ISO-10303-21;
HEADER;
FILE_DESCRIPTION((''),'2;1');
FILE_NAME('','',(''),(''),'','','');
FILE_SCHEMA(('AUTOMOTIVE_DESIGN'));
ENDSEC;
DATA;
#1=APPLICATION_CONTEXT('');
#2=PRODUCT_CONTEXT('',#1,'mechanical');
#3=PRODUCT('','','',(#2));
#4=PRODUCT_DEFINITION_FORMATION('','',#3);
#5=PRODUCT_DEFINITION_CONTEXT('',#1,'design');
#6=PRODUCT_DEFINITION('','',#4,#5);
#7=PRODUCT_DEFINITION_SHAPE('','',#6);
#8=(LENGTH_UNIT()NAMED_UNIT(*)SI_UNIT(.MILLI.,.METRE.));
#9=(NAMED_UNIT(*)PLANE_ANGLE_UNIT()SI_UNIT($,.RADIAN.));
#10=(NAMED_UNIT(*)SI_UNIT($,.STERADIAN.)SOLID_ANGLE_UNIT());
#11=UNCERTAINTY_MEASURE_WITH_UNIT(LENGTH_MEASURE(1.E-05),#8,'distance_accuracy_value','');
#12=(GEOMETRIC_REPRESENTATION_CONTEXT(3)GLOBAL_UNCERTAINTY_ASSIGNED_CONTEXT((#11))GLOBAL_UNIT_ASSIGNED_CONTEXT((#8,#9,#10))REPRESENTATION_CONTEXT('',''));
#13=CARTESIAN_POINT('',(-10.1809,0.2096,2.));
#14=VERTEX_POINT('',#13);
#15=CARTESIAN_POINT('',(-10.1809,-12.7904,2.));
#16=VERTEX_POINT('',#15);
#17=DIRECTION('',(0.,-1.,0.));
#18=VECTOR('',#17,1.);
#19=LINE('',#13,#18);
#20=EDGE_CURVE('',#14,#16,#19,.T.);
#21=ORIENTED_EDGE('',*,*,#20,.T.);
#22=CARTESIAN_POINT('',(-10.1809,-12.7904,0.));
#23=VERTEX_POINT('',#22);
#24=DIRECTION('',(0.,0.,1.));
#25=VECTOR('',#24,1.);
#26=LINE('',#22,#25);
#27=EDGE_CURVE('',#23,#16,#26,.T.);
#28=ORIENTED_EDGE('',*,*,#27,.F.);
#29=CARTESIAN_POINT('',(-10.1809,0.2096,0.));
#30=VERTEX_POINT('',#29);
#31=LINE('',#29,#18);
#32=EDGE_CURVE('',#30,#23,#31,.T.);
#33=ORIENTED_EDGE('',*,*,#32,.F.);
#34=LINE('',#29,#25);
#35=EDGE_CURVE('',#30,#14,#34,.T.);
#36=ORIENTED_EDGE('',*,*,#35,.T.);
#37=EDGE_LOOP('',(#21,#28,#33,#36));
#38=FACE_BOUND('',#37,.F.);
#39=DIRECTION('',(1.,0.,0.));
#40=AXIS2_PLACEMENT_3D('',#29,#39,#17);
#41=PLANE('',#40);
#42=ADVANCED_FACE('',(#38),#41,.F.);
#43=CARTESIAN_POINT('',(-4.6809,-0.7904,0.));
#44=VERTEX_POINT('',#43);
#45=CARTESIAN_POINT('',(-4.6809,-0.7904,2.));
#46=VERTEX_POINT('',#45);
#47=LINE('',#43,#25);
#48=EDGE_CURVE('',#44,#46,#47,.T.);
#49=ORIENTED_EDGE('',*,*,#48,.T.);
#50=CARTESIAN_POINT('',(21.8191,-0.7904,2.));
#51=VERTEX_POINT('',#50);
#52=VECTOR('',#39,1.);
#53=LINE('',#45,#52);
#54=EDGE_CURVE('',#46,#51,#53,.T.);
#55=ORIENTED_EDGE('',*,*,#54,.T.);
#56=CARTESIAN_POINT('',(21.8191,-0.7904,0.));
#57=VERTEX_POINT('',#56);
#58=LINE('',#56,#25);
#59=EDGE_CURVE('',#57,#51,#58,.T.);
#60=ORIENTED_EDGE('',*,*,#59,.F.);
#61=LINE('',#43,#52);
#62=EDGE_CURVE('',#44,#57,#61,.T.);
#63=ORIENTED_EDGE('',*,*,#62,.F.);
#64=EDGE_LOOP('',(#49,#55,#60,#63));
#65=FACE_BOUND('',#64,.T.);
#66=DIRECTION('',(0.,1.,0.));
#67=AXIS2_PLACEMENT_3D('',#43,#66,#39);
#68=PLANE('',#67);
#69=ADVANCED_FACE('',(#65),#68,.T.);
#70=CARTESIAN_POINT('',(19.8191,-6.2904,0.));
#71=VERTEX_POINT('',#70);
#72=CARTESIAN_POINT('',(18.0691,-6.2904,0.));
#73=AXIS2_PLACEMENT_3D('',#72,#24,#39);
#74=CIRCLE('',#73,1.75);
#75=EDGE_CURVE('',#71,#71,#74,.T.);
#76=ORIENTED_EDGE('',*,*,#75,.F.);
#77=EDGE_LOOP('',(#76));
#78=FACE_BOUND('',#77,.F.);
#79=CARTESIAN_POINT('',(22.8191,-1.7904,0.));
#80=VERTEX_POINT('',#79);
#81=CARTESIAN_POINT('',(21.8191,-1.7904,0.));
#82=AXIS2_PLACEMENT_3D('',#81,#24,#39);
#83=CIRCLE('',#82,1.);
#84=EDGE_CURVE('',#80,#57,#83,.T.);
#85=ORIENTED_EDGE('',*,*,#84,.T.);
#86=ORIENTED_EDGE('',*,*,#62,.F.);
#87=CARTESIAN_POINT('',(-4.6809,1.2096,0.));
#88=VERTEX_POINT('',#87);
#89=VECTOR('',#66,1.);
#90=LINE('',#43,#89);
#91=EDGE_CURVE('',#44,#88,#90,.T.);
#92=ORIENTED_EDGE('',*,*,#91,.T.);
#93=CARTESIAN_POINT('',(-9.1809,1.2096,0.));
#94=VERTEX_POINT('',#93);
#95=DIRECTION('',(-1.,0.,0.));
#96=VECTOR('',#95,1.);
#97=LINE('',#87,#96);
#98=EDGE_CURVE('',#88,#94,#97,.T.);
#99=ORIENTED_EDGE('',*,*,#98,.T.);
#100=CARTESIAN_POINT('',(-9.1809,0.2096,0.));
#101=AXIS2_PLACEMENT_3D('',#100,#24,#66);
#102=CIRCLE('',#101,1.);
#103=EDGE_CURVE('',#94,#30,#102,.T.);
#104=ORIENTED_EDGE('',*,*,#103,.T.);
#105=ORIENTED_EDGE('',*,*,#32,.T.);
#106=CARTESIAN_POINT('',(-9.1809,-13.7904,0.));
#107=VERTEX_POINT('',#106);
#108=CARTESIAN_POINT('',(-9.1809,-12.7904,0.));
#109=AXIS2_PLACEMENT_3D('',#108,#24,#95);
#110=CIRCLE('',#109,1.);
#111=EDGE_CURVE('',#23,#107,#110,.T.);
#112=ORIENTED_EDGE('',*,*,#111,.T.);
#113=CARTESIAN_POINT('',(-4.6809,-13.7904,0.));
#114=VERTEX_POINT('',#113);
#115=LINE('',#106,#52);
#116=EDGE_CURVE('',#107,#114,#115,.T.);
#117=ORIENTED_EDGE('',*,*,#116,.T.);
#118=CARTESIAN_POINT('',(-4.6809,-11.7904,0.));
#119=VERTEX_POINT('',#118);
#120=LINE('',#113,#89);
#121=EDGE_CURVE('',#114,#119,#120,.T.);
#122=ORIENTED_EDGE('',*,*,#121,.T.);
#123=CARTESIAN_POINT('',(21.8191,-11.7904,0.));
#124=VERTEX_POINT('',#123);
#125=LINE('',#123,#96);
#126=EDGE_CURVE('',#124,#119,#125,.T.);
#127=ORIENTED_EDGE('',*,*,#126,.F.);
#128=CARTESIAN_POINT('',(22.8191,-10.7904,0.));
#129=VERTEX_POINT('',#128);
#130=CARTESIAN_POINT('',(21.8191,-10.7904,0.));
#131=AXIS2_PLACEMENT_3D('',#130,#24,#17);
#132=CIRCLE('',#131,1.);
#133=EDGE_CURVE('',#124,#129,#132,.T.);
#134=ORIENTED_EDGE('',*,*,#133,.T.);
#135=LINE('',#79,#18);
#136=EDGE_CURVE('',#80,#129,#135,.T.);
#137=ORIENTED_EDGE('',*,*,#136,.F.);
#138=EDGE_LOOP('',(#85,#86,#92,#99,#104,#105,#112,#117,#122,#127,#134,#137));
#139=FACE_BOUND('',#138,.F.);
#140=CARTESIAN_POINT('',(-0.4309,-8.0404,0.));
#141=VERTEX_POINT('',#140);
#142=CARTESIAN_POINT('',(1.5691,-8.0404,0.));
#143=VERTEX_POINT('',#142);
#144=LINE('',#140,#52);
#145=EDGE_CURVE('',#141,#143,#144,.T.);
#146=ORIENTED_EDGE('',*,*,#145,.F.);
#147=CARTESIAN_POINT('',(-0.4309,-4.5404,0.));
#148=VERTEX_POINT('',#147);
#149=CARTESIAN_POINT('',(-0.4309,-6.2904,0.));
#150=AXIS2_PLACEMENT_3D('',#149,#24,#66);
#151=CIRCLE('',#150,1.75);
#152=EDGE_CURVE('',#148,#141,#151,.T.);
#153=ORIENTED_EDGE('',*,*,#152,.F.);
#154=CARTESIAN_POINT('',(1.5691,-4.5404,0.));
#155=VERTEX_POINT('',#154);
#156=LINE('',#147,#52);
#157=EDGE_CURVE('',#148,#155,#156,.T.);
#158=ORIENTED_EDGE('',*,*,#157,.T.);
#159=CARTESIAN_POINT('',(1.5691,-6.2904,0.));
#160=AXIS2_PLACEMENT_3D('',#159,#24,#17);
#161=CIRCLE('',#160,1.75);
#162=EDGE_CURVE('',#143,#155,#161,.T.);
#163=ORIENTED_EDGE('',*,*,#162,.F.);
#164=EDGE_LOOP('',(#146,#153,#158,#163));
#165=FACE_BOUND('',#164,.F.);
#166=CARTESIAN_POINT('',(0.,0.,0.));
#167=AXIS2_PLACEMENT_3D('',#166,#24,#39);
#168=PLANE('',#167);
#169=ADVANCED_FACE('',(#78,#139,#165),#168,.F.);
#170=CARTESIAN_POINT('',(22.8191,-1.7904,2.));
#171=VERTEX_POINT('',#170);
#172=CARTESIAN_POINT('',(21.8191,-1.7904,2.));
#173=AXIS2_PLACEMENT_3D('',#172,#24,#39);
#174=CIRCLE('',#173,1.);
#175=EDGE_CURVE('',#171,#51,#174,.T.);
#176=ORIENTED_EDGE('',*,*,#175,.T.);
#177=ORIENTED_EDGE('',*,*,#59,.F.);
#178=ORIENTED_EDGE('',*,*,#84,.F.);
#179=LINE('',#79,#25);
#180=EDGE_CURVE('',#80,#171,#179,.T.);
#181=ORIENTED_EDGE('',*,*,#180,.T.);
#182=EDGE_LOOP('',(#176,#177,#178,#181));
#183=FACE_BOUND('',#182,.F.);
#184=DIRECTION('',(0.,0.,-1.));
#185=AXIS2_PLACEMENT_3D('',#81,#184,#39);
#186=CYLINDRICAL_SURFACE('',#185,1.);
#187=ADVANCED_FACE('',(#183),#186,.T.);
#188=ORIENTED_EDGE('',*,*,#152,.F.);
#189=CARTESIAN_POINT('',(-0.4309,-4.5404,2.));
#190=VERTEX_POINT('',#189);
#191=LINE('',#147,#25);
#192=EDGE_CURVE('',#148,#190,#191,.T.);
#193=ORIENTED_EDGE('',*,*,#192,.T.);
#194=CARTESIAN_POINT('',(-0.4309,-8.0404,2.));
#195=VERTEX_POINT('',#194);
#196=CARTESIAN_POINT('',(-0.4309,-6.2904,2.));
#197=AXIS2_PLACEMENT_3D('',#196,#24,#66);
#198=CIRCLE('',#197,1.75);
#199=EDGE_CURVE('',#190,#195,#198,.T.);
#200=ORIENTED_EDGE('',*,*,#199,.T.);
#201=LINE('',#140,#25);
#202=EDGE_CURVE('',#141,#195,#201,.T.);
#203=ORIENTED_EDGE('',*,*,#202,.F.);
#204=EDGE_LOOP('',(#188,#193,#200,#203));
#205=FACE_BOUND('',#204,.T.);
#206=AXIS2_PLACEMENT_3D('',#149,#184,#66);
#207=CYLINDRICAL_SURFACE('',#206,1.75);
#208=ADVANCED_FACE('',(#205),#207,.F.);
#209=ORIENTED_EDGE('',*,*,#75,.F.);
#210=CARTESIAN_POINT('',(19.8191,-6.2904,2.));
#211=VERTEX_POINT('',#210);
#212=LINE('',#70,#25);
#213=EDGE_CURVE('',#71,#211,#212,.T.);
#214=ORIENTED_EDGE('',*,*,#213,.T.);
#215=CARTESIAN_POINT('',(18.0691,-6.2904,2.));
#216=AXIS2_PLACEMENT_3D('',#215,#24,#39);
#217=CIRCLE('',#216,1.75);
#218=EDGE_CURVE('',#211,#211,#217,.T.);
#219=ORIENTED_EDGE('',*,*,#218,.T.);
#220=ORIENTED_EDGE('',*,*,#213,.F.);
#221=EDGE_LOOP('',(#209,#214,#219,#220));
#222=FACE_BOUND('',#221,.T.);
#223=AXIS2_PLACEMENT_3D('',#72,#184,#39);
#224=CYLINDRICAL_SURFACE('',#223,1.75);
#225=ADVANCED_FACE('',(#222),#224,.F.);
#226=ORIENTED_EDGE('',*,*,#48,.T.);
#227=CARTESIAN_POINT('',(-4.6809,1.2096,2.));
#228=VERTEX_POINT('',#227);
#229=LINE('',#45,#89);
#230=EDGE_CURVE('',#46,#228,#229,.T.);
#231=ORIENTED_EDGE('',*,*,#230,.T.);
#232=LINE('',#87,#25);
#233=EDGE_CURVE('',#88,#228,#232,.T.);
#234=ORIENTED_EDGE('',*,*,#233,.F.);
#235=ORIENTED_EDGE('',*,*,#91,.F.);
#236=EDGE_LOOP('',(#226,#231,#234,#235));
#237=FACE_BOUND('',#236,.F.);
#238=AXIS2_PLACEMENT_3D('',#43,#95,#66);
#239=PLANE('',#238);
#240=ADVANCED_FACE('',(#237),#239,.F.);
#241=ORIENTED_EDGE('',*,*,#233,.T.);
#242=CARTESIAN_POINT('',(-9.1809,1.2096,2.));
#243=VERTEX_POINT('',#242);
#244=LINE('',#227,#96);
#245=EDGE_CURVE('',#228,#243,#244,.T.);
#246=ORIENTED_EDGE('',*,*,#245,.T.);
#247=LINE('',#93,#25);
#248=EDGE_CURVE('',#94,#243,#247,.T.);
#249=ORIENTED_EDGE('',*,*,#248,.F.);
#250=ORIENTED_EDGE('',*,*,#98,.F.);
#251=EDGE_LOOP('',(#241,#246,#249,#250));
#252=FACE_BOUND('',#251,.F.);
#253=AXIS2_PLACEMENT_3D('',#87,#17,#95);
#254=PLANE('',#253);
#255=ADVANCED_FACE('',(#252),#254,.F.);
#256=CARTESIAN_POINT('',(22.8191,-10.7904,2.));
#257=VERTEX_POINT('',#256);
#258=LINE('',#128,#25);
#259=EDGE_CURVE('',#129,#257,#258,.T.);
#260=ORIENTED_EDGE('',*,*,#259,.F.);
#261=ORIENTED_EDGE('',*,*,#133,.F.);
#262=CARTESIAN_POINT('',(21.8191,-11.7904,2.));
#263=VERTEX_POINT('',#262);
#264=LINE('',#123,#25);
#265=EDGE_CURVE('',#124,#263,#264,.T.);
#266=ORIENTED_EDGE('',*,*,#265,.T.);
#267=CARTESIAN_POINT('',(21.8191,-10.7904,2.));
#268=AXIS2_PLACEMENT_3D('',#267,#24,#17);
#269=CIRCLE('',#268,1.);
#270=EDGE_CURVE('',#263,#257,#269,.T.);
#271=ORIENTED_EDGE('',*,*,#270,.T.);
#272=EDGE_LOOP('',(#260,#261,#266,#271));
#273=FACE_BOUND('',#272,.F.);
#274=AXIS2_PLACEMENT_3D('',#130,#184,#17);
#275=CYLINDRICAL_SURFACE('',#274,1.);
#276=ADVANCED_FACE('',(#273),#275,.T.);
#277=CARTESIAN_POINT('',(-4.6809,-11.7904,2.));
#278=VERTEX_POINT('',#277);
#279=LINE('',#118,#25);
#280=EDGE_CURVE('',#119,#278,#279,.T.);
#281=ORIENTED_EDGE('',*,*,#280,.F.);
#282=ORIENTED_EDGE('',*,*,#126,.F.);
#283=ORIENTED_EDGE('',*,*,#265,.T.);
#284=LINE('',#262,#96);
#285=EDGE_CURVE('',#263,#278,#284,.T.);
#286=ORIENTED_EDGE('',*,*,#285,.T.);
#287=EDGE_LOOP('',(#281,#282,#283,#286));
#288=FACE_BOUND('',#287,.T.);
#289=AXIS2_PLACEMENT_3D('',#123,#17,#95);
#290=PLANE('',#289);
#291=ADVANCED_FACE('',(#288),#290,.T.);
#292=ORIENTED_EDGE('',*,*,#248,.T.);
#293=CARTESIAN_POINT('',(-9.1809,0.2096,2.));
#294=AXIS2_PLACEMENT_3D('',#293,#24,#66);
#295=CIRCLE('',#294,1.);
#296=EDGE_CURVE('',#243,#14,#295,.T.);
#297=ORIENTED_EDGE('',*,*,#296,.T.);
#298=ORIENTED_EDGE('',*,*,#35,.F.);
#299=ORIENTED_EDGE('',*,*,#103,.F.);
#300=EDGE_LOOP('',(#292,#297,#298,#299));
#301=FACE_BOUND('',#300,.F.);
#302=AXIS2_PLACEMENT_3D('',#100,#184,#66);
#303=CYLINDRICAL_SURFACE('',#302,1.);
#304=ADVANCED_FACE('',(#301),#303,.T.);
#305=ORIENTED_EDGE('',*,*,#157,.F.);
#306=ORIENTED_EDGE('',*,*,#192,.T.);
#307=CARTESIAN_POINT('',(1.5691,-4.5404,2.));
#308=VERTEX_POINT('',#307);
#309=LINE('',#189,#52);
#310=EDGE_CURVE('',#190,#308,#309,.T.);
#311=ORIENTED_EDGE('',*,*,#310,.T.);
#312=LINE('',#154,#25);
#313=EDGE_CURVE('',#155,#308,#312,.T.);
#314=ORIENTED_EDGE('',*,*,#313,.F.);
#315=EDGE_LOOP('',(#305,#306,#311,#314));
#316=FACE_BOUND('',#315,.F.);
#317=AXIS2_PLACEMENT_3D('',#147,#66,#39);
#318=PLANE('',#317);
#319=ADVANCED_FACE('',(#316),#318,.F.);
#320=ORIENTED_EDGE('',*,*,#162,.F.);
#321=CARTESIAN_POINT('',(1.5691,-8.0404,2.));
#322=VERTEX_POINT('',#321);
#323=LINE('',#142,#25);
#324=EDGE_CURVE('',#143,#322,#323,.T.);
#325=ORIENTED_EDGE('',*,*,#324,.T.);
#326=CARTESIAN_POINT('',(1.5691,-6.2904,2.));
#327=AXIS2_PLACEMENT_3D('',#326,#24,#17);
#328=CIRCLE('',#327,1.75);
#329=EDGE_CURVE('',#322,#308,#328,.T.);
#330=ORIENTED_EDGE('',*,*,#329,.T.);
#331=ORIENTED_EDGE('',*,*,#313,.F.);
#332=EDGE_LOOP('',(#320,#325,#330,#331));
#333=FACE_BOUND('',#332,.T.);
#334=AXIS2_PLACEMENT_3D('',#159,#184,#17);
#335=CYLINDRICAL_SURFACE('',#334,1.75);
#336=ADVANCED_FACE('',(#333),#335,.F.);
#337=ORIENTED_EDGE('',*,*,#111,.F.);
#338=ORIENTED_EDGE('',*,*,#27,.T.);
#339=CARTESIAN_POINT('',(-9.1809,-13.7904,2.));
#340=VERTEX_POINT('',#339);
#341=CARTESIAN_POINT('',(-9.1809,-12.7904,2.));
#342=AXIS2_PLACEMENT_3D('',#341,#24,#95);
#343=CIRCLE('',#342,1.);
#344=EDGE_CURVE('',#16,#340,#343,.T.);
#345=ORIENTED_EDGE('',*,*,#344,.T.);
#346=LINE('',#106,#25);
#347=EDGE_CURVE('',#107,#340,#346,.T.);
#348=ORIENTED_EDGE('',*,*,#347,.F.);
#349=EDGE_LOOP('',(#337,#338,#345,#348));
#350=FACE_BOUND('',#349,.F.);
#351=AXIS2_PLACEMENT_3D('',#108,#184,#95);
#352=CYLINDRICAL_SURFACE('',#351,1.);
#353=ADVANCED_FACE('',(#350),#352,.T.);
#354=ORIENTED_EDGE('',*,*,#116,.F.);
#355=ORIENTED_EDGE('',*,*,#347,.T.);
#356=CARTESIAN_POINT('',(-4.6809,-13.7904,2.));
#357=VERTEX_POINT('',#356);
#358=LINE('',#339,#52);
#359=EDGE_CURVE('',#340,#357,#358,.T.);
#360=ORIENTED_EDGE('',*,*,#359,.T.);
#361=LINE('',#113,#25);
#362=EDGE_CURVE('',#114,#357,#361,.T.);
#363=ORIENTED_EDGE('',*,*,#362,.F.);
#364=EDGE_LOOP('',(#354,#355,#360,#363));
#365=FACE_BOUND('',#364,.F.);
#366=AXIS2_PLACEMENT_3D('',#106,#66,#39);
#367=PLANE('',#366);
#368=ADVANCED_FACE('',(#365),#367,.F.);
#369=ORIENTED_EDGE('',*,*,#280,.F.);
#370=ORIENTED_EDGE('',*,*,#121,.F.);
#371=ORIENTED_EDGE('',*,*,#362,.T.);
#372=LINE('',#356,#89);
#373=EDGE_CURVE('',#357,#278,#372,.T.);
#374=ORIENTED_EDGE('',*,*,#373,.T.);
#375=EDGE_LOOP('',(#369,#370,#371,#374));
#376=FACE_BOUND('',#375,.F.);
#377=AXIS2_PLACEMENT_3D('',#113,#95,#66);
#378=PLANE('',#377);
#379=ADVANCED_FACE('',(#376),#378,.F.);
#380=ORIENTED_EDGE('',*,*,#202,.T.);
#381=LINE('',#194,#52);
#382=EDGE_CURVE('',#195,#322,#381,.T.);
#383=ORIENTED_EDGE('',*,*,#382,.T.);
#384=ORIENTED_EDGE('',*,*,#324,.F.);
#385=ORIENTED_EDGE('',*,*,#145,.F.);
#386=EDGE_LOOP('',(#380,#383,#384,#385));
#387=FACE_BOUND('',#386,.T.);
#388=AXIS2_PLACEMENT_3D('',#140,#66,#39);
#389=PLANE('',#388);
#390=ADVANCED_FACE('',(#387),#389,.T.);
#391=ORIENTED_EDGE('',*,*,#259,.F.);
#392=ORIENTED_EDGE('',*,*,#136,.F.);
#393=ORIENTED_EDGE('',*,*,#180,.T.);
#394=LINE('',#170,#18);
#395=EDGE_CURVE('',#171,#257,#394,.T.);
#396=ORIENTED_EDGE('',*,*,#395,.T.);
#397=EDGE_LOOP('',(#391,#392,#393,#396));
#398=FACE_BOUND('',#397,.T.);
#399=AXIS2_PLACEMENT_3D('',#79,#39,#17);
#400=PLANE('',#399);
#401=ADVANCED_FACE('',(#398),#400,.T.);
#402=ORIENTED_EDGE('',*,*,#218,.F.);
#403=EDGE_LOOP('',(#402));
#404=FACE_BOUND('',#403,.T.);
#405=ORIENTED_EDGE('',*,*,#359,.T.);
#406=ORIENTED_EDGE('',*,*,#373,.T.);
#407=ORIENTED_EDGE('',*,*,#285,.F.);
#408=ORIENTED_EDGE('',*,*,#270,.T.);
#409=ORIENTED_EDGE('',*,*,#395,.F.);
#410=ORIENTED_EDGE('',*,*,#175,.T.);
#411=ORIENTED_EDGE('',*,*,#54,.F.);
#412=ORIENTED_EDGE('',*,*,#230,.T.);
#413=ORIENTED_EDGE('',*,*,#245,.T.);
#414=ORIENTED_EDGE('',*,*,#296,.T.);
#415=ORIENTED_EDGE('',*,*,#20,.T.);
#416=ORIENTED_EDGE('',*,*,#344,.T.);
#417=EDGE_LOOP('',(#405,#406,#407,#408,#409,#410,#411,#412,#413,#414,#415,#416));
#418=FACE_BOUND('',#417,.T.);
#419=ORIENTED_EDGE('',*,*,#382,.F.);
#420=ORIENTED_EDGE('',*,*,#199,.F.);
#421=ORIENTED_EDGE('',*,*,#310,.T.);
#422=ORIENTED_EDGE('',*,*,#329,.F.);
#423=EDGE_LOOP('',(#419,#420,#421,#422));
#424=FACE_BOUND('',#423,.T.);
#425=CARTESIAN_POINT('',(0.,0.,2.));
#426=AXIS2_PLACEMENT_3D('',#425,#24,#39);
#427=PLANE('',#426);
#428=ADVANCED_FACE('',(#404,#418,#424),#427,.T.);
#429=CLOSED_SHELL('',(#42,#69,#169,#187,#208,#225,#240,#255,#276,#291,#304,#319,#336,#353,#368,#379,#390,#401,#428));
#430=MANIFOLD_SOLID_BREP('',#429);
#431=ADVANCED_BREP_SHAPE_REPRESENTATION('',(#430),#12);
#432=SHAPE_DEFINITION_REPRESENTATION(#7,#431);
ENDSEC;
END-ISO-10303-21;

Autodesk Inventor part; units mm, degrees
ref_plane "YZ Plane" through (0, 0, 0) normal (1, 0, 0) x (0, 1, 0)
ref_plane "XZ Plane" through (0, 0, 0) normal (0, 1, 0) x (-1, 0, 0)
ref_plane "XY Plane" through (0, 0, 0) normal (0, 0, 1) x (1, 0, 0)
sketch "Эскиз1" plane through (0, 0, 0) normal (0, 0, 1) x (1, 0, 0)
  line L0 (-4.6809, -0.7904) -> (-4.6809, 1.2096)
  line L1 (-4.6809, -13.7904) -> (-4.6809, -11.7904)
  line L2 (-4.6809, 1.2096) -> (-9.1809, 1.2096)
  line L3 (-10.1809, 0.2096) -> (-10.1809, -12.7904)
  line L4 (-9.1809, -13.7904) -> (-4.6809, -13.7904)
  arc A0 (-10.1809, -12.7904) -> (-9.1809, -13.7904) centre (-9.1809, -12.7904) ccw
  arc A1 (-9.1809, 1.2096) -> (-10.1809, 0.2096) centre (-9.1809, 0.2096) ccw
  line L5 (22.8191, -1.7904) -> (22.8191, -10.7904)
  line L6 (21.8191, -11.7904) -> (-4.6809, -11.7904)
  line L7 (-4.6809, -0.7904) -> (21.8191, -0.7904)
  arc A2 (22.8191, -1.7904) -> (21.8191, -0.7904) centre (21.8191, -1.7904) ccw
  arc A3 (21.8191, -11.7904) -> (22.8191, -10.7904) centre (21.8191, -10.7904) ccw
  arc A4 (-0.4309, -4.5404) -> (-0.4309, -8.0404) centre (-0.4309, -6.2904) ccw
  arc A5 (1.5691, -8.0404) -> (1.5691, -4.5404) centre (1.5691, -6.2904) ccw
  line L8 (-0.4309, -4.5404) -> (1.5691, -4.5404)
  line L9 (-0.4309, -8.0404) -> (1.5691, -8.0404)
  circle A6 centre (18.0691, -6.2904) radius 1.75
  point P0 (0, 0)
  point P1 (-10.1809, 1.2096)
  point P2 (-10.1809, -13.7904)
  point P3 (22.8191, -0.7904)
  point P4 (22.8191, -11.7904)
extrude "Выдавливание2" add sketch "Эскиз1" along normal blind 2
properties part number "Крепеж"
